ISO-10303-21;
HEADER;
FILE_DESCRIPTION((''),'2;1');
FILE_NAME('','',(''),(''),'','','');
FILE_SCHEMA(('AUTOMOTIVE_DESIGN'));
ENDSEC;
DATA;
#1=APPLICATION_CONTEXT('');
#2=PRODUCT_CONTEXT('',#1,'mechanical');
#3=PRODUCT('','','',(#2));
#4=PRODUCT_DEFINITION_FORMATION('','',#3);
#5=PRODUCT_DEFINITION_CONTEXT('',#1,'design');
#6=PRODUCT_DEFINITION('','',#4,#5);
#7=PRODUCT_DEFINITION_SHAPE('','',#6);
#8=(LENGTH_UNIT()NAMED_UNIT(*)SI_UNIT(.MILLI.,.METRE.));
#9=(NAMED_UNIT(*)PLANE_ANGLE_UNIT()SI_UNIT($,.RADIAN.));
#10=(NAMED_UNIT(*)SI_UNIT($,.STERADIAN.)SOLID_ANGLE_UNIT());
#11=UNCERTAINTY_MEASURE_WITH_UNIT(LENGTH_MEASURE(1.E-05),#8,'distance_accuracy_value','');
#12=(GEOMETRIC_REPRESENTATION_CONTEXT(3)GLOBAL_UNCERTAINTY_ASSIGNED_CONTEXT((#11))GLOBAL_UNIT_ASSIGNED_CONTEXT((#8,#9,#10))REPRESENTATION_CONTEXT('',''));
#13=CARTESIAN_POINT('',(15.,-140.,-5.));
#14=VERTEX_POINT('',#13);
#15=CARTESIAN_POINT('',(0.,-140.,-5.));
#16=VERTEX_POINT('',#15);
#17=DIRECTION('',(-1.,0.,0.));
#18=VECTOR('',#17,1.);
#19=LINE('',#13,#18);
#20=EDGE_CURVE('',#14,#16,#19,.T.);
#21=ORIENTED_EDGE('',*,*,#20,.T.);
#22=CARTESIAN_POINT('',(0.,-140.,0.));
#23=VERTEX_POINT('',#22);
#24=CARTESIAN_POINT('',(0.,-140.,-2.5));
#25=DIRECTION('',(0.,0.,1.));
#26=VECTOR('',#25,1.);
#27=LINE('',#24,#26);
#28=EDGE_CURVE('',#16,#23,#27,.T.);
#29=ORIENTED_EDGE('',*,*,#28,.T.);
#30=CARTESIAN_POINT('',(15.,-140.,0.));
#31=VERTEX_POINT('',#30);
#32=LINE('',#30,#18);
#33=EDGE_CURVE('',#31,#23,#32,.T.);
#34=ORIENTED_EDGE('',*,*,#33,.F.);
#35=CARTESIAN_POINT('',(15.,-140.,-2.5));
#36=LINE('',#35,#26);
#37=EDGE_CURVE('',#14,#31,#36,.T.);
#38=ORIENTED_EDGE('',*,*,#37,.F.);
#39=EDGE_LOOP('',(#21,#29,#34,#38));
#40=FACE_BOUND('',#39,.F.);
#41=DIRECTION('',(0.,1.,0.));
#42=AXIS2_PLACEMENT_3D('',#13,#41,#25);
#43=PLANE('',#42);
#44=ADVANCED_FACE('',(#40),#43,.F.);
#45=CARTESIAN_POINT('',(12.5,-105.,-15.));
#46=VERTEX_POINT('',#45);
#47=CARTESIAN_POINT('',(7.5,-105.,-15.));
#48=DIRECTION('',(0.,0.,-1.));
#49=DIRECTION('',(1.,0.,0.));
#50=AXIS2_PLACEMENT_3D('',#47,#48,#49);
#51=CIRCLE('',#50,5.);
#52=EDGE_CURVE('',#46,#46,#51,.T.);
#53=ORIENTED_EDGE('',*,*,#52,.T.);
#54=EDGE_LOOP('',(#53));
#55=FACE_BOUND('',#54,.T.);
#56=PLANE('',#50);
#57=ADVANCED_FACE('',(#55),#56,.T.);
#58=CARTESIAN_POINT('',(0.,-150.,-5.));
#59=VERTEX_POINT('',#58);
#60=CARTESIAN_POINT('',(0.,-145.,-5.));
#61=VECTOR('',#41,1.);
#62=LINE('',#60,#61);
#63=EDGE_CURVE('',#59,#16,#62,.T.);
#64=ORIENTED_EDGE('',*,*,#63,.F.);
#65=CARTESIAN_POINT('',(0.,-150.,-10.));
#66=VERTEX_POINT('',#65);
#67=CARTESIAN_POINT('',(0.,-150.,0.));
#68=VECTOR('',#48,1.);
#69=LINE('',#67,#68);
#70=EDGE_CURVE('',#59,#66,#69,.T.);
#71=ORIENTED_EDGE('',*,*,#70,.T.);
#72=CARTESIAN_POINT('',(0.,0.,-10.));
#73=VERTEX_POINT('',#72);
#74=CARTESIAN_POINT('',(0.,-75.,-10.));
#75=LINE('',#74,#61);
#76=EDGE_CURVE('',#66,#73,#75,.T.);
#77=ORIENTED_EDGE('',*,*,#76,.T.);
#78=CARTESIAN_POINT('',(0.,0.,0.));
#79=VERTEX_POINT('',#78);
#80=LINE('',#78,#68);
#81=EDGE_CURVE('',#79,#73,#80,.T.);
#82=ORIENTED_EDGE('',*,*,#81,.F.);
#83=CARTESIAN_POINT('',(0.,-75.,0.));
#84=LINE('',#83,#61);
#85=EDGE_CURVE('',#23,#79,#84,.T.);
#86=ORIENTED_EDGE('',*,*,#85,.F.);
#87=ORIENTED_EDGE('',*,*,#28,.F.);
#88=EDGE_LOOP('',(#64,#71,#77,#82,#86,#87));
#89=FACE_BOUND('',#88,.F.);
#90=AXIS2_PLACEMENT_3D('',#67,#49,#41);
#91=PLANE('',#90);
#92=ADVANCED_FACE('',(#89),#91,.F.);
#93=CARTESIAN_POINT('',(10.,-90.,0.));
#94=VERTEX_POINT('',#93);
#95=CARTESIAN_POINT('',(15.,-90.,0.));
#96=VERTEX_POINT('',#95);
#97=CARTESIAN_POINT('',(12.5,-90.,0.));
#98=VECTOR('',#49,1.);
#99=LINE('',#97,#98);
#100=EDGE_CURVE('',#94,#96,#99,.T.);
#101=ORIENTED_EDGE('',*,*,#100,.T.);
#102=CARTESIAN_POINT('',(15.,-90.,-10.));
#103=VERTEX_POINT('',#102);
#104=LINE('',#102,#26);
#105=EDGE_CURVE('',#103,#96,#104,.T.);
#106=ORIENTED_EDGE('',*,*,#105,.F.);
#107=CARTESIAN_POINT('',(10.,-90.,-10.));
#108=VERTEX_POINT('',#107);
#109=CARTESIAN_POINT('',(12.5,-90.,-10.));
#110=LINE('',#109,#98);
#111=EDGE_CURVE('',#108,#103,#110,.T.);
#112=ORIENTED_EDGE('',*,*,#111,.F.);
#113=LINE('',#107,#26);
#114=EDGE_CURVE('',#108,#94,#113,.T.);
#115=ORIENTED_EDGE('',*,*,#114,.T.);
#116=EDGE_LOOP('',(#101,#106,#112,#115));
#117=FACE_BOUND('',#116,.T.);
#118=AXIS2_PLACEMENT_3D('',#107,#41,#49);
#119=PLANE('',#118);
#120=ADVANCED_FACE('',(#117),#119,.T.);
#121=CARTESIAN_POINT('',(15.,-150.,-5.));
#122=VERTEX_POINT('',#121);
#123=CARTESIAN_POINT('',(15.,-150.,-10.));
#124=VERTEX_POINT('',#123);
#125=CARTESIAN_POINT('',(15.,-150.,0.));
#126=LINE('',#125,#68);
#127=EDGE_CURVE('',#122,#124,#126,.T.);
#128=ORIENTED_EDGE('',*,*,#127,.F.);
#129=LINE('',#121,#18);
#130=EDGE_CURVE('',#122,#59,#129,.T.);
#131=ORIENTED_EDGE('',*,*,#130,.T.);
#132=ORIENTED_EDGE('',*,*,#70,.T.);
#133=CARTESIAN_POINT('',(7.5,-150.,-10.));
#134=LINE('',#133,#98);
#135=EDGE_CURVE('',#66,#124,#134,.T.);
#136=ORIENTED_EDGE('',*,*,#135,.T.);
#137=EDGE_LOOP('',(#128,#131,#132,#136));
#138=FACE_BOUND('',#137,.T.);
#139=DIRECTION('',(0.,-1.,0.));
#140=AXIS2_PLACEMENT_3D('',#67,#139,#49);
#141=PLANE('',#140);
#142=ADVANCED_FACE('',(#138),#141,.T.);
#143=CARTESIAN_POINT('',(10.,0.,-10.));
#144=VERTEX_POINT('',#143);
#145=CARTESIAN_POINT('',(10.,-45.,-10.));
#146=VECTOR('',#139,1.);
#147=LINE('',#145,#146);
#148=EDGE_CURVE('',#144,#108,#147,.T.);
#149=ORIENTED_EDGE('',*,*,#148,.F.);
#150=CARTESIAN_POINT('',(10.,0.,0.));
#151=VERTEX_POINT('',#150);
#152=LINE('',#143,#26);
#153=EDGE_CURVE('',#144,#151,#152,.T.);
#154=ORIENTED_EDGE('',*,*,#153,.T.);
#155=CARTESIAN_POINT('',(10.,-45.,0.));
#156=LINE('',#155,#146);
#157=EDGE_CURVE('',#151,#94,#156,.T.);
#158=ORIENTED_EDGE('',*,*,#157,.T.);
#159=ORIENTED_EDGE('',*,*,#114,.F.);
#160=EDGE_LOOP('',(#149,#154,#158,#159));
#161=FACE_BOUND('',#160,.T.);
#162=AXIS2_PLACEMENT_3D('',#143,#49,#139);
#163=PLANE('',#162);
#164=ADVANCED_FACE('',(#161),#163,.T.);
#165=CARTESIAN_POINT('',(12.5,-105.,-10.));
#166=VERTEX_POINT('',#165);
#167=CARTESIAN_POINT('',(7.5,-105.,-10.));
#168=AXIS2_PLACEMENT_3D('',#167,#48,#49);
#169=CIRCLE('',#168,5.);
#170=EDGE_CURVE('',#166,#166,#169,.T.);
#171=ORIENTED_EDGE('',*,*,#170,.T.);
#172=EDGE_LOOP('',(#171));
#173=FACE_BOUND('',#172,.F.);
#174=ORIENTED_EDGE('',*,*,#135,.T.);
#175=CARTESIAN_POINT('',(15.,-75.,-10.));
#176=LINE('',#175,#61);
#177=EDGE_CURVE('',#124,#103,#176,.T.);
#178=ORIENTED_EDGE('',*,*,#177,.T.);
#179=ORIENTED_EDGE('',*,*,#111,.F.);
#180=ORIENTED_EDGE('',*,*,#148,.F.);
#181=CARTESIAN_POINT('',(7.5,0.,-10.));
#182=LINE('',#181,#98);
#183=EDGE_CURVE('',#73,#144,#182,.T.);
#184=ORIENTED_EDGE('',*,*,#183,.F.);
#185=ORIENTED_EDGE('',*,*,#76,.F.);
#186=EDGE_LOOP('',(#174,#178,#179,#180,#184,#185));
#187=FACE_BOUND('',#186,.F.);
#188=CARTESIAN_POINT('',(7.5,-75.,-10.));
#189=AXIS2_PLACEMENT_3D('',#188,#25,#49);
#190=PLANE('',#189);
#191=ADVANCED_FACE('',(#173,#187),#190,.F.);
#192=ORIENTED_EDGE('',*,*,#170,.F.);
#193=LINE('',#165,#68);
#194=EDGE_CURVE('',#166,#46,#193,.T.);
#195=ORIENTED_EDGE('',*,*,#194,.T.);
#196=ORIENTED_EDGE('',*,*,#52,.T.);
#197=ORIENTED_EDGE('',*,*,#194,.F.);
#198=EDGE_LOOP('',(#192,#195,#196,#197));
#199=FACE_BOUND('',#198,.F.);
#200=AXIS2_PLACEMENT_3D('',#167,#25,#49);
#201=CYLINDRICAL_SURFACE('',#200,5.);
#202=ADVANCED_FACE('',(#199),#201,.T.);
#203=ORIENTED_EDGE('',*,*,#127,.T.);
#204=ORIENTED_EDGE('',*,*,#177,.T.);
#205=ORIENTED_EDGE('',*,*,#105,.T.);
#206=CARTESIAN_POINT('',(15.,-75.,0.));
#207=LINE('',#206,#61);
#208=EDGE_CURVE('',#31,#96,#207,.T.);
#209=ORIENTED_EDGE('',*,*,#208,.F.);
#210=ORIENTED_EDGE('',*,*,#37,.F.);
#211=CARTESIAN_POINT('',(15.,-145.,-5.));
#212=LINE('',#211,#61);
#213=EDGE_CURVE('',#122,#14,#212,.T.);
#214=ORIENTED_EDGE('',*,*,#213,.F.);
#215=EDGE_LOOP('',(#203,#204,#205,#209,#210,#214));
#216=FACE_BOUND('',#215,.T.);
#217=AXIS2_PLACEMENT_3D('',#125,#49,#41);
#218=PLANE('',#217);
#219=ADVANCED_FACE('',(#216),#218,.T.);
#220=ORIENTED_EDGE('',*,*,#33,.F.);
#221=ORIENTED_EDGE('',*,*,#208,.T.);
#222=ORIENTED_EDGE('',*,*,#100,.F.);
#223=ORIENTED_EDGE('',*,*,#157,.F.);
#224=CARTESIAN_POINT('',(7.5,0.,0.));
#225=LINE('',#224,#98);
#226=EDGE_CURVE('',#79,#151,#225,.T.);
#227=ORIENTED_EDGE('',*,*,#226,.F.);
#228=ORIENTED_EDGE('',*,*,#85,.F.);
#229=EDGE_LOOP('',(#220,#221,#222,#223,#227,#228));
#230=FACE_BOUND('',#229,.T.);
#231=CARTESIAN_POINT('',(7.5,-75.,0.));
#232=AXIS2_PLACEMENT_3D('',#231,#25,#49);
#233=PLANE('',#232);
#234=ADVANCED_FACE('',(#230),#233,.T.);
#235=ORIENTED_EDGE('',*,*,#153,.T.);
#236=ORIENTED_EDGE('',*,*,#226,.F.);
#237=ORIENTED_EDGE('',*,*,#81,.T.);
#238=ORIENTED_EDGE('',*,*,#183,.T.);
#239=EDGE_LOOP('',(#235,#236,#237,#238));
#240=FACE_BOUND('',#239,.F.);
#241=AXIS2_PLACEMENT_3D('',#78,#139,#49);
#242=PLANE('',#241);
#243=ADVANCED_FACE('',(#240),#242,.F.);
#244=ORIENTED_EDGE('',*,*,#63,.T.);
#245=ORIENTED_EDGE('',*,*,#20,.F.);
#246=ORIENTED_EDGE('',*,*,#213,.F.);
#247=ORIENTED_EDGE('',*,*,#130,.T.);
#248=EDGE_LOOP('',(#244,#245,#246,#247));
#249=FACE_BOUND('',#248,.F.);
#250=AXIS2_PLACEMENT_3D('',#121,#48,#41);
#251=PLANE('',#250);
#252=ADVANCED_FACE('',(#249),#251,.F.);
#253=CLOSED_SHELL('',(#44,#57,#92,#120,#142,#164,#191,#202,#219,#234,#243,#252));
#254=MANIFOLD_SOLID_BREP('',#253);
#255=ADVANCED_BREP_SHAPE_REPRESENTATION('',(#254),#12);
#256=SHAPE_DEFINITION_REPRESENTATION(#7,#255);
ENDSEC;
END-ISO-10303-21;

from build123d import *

# Parameters (mm, degrees)
F0_W     = 15
F0_H     = 150
F1_DEPTH = 10
F2_W     = 10
F2_H     = 5
F3_DEPTH = 15
F4_W     = 5
F4_H     = 90
F5_DEPTH = 10
F6_R     = 5
F7_DEPTH = 5


with BuildPart() as f1:
    # F0 (on Top) → F1 (new body)
    with BuildSketch(Plane.XY):
        with Locations((7.5, -75)):
            Rectangle(F0_W, F0_H)
    extrude(amount=-F1_DEPTH)

    # F2 (on face) → F3 (cut)
    with BuildSketch(Plane.YZ.offset(15)):
        with Locations((-145, -2.5)):
            Rectangle(F2_W, F2_H)
    extrude(amount=-F3_DEPTH, mode=Mode.SUBTRACT)

    # F4 (on face) → F5 (cut)
    with BuildSketch(Plane(origin=(0, 0, -10), x_dir=(1, 0, 0), z_dir=(0, 0, -1))):
        with Locations((12.5, 45)):
            Rectangle(F4_W, F4_H)
    extrude(amount=-F5_DEPTH, mode=Mode.SUBTRACT)

    # F6 (on face) → F7 (join)
    with BuildSketch(Plane(origin=(0, 0, -10), x_dir=(1, 0, 0), z_dir=(0, 0, -1))):
        with Locations((7.5, 105)):
            Circle(F6_R)
    extrude(amount=F7_DEPTH)


solid = f1.part
